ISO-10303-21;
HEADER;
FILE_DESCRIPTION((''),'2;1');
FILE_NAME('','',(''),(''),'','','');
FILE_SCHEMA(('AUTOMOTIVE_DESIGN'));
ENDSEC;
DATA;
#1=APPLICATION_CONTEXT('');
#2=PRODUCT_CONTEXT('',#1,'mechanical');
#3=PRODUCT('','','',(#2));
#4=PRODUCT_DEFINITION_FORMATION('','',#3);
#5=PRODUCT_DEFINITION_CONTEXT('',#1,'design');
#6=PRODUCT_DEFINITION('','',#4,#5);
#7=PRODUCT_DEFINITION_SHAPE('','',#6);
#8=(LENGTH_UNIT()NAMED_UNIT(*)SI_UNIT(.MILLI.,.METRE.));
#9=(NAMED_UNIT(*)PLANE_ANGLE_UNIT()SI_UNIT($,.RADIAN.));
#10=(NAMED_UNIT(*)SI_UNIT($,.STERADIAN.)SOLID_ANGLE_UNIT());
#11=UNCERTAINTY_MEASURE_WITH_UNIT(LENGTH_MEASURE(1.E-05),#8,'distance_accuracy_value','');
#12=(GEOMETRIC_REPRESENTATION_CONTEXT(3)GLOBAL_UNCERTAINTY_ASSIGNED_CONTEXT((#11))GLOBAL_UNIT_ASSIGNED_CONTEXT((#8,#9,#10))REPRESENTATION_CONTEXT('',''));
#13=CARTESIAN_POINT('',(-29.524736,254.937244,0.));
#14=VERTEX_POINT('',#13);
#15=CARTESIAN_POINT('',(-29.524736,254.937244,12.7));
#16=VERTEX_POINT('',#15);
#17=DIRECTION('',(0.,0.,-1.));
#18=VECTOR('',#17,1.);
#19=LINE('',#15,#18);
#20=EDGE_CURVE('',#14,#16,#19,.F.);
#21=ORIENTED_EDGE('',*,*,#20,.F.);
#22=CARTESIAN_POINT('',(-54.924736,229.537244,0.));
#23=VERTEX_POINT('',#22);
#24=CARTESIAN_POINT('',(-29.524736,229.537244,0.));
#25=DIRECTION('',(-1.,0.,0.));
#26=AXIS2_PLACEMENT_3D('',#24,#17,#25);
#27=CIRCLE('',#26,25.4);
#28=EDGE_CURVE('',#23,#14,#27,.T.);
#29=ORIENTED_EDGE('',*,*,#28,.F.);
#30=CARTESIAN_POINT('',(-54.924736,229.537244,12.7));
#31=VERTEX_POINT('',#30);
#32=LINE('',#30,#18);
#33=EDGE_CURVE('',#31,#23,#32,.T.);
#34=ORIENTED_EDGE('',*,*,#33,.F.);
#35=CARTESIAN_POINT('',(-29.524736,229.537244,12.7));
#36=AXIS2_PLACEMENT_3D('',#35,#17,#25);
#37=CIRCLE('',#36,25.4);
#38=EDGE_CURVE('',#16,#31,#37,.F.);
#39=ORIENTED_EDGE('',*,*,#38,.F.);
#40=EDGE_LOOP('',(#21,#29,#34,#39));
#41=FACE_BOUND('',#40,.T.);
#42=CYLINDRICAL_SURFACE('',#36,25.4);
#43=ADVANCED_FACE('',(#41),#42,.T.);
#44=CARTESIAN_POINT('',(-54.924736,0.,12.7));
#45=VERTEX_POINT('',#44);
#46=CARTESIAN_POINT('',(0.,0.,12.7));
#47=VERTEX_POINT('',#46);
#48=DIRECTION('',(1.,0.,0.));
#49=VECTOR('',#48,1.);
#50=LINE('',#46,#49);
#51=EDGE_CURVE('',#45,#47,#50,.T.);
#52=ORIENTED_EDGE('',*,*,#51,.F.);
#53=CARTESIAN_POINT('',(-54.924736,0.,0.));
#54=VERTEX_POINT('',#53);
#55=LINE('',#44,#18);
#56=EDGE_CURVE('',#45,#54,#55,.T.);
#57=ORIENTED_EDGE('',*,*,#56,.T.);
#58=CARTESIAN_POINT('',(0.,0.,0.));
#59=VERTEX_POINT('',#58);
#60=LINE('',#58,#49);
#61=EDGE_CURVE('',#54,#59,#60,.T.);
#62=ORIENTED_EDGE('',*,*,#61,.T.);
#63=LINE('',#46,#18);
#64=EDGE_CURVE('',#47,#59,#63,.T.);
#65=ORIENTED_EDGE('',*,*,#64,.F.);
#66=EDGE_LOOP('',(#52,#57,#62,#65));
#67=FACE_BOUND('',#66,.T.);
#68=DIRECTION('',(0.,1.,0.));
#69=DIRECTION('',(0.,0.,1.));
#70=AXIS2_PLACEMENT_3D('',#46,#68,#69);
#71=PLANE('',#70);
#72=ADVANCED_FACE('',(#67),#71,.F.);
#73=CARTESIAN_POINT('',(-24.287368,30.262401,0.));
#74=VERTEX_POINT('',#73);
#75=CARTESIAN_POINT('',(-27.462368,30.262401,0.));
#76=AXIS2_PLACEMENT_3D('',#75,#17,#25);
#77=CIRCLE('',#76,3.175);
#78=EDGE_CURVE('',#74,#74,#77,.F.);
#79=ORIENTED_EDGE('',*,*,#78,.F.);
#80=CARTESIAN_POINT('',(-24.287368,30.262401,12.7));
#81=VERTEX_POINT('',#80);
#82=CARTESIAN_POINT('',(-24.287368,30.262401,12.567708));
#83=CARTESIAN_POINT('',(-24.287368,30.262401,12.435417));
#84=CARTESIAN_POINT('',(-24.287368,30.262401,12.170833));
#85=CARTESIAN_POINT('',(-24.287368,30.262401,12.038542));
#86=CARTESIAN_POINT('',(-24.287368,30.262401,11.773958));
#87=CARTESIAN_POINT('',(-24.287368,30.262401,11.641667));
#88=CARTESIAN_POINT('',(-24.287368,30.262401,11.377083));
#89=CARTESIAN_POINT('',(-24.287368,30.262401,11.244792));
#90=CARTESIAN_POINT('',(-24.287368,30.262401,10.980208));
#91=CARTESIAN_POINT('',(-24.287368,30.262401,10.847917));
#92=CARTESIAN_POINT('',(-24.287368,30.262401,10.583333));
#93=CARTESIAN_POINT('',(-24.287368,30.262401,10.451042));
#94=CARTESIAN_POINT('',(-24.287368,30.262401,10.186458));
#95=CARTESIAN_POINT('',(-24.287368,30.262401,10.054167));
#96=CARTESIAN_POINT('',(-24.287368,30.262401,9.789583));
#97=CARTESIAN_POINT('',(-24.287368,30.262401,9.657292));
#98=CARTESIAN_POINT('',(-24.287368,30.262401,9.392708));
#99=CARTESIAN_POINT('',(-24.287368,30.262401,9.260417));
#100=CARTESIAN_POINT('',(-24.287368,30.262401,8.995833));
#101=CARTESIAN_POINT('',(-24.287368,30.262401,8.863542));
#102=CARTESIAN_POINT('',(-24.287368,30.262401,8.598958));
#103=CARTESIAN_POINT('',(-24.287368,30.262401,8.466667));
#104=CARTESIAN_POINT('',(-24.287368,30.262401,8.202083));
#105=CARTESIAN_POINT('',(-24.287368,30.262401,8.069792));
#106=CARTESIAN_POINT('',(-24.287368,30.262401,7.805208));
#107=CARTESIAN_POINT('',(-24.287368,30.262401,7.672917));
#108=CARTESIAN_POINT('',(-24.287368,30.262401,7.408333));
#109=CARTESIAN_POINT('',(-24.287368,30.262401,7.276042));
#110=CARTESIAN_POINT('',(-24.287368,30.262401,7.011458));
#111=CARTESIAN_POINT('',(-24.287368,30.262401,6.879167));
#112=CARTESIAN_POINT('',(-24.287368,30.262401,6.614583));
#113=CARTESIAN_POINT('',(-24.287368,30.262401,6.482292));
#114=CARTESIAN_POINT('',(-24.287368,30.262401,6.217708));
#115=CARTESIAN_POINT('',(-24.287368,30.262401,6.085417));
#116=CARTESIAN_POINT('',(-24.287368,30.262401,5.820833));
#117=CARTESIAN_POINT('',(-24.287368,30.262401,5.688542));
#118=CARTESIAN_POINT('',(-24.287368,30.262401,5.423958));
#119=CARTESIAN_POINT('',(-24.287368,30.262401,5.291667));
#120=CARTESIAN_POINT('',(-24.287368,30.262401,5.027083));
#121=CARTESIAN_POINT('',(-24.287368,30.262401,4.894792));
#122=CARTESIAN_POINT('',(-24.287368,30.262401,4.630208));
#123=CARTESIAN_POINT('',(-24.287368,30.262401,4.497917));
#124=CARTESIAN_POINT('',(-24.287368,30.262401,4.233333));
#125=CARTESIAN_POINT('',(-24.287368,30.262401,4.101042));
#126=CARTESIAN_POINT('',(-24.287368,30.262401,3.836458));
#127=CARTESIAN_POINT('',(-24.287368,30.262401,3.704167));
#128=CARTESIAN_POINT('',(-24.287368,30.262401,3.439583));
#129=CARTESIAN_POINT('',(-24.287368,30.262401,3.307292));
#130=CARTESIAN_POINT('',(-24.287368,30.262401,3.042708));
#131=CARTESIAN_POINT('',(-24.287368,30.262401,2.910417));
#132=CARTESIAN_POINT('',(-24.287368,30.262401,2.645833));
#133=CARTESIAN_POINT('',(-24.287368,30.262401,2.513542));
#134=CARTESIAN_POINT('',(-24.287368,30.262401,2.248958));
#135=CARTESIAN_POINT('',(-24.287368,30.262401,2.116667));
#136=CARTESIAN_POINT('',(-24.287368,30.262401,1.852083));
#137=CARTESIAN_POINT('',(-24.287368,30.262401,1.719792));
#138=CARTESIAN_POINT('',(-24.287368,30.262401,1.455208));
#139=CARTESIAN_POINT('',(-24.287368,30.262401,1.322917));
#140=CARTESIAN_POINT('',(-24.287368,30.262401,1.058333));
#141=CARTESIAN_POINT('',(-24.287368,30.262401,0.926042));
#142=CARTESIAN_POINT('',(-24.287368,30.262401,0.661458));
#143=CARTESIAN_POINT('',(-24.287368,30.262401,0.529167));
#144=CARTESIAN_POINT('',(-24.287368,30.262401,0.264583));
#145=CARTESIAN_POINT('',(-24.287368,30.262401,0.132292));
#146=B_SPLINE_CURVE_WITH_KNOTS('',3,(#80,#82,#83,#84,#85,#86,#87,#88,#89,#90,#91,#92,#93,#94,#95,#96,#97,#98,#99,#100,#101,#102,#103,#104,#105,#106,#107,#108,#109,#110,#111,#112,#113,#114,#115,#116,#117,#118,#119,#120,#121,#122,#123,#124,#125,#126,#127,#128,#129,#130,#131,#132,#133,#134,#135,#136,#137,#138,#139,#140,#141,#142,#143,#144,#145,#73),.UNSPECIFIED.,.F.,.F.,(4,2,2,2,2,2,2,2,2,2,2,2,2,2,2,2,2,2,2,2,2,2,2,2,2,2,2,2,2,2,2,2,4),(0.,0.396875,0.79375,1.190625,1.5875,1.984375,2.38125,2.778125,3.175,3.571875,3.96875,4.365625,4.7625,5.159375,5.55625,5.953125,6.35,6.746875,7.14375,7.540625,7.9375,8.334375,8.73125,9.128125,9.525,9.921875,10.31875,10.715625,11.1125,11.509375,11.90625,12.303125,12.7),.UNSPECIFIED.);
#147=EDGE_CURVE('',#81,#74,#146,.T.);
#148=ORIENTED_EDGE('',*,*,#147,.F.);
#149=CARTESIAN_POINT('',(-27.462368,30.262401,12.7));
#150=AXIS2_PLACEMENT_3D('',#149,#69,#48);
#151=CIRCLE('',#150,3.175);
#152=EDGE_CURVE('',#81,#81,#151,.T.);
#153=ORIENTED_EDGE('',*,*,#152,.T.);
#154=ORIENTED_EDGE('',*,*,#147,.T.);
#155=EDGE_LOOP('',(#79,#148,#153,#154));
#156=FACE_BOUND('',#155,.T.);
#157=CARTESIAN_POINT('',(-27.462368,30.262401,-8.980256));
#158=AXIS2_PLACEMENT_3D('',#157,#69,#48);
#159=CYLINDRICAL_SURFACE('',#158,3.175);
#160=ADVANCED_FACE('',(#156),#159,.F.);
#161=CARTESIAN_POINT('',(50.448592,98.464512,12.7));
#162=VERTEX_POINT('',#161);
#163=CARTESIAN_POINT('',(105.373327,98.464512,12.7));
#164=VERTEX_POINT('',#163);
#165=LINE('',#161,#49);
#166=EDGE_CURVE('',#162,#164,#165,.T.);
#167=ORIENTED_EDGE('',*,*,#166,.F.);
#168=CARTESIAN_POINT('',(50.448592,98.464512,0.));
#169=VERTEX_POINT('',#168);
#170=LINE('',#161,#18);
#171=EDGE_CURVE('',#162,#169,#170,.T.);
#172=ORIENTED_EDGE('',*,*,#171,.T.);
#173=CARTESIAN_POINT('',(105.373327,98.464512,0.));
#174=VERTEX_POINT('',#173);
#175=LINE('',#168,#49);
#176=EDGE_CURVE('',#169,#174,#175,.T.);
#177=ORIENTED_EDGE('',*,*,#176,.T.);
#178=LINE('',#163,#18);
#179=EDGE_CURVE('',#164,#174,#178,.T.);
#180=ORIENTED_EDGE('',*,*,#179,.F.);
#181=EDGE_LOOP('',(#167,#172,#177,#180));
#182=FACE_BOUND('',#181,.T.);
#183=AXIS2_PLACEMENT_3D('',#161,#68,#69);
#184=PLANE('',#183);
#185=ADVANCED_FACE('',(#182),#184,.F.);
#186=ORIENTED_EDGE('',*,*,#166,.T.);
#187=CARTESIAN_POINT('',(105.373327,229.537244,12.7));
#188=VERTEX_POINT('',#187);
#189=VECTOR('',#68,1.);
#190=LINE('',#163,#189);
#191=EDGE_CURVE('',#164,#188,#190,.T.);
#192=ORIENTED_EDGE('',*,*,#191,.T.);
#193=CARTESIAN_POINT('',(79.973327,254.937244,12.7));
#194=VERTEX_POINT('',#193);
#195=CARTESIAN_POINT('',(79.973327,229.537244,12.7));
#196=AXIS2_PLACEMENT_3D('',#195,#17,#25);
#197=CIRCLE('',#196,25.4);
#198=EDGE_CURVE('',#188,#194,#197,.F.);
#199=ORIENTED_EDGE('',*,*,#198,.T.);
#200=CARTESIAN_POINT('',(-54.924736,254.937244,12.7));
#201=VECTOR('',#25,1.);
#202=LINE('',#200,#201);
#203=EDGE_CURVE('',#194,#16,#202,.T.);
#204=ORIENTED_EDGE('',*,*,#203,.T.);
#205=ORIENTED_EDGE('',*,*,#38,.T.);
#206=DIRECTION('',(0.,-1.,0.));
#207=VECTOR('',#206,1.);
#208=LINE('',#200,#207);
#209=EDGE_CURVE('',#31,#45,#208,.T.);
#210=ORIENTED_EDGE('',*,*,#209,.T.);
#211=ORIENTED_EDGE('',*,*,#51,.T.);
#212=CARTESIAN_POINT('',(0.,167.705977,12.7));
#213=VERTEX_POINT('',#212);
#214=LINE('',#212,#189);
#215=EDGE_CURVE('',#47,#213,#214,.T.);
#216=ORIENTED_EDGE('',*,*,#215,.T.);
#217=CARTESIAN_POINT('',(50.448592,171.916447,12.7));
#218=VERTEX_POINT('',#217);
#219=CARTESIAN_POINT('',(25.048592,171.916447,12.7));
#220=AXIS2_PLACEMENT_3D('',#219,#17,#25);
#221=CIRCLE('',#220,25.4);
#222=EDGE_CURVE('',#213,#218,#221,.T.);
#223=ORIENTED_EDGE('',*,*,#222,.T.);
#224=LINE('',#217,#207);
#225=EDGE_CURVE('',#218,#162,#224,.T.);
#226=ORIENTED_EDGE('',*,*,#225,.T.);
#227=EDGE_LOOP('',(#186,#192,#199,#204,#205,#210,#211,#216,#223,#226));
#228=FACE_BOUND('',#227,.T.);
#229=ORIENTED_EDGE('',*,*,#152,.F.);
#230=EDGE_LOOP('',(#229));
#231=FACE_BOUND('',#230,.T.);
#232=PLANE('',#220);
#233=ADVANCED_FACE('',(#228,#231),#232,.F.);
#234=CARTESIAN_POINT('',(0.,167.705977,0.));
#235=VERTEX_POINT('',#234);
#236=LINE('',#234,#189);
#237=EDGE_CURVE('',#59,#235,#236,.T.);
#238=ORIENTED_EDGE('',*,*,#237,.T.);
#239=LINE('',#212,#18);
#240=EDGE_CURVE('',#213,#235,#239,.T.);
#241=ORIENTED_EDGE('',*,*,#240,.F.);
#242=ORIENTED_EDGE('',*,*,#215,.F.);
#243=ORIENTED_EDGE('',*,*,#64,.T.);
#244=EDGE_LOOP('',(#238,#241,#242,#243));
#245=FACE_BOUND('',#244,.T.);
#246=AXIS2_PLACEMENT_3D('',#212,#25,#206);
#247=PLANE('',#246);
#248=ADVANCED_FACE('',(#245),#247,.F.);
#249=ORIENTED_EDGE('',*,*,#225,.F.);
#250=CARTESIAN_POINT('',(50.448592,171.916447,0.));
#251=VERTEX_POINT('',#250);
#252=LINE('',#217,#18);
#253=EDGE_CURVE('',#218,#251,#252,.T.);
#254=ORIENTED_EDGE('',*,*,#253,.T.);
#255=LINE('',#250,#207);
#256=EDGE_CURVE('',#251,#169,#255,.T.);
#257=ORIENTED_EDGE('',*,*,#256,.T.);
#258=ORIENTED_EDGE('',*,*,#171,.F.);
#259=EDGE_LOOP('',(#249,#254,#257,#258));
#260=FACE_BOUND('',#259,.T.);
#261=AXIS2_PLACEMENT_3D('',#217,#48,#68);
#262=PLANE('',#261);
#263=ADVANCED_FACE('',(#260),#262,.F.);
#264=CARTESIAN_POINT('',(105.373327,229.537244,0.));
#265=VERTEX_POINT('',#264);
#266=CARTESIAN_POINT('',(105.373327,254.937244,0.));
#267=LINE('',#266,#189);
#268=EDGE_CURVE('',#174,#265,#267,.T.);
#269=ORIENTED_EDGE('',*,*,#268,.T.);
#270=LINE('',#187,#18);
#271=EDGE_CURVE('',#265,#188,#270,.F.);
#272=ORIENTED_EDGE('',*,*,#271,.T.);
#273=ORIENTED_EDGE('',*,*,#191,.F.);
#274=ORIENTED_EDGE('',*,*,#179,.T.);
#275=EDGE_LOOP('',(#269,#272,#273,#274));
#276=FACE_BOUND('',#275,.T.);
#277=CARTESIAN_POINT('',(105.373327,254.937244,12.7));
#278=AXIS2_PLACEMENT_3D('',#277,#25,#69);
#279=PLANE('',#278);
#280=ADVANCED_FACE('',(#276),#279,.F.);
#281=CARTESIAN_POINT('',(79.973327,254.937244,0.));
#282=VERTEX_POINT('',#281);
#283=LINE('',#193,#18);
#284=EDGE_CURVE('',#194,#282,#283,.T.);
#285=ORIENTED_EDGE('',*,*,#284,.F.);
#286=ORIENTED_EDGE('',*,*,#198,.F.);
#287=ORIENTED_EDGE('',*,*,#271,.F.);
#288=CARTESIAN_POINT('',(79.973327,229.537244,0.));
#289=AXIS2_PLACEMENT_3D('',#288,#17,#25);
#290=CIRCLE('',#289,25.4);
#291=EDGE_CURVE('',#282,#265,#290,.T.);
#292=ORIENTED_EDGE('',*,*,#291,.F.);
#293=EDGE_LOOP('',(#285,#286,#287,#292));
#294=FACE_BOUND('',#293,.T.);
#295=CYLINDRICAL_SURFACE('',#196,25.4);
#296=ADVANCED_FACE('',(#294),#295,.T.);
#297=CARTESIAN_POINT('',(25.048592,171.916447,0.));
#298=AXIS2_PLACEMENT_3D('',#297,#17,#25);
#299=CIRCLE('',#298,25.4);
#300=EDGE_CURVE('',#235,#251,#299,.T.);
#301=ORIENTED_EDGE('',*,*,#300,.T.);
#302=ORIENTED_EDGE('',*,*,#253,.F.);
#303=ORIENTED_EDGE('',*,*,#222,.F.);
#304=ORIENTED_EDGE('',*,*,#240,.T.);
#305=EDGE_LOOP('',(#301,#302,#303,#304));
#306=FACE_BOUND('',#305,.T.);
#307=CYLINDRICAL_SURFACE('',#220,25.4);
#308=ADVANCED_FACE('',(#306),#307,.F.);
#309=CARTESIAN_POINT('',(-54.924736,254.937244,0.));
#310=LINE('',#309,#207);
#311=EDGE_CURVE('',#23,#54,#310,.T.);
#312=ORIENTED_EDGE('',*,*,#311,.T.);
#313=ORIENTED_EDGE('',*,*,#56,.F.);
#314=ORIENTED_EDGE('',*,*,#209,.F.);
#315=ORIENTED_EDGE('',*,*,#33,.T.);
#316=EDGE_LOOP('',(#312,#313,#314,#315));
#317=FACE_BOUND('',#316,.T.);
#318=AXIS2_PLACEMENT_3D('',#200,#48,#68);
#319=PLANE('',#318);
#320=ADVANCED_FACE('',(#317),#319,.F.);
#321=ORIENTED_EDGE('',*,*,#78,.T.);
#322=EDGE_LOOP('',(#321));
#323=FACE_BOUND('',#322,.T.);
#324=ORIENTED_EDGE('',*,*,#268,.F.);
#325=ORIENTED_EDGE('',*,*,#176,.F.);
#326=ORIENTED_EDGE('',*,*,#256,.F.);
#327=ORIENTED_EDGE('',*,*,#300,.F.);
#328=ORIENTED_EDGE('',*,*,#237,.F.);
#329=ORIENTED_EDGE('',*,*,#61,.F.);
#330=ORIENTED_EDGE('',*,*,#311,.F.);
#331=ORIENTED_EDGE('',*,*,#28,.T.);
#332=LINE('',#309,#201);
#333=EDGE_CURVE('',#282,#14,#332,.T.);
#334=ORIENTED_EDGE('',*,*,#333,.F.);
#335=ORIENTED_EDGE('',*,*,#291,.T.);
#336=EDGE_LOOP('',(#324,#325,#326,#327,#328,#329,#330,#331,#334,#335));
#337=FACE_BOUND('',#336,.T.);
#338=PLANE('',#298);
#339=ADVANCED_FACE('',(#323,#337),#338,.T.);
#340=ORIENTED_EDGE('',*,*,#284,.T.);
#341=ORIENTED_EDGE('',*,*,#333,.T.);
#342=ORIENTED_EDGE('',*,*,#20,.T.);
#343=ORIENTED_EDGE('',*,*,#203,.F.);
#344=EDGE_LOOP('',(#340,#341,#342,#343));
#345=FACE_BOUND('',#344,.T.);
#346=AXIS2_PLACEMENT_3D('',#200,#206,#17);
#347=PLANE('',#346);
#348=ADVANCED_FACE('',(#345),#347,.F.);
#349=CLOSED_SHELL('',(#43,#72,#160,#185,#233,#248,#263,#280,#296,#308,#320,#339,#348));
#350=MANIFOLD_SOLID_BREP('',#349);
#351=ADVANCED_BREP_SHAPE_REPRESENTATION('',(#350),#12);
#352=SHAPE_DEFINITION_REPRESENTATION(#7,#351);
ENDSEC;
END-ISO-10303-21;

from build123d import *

# Parameters (mm, degrees)
BOSS_EXTRUDE2_DEPTH = 12.7
FILLET1_R           = 25.4
FILLET2_R           = 25.4
SKETCH3_R           = 3.175
CUT_EXTRUDE3_DEPTH  = 12.7


with BuildPart() as part:
    # Sketch1 → Boss-Extrude2 (new body)
    with BuildSketch(Plane.XY):
        with BuildLine():
            Line((0, 167.705976621), (0, 0))
            Line((0, 0), (-54.924735551, 0))
            Line((-54.924735551, 0), (-54.924735551, 254.93724428))
            Line((-54.924735551, 254.93724428), (105.37332707, 254.93724428))
            Line((105.37332707, 254.93724428), (105.37332707, 173.075661403))
            Line((105.37332707, 173.075661403), (105.37332707, 98.46451231))
            Line((105.37332707, 98.46451231), (50.448591519, 98.46451231))
            Line((50.448591519, 98.46451231), (50.448591519, 171.91644725))
            ThreePointArc((50.448591519, 171.91644725), (22.936036736, 197.228442673), (0, 167.705976621))
        make_face()
    extrude(amount=BOSS_EXTRUDE2_DEPTH)

    # Fillet1
    fillet1_edges = [part.edges().sort_by_distance(p)[0] for p in [
        (-54.924735551, 254.93724428, 6.35),
    ]]
    fillet(fillet1_edges, radius=FILLET1_R)

    # Fillet2
    fillet2_edges = [part.edges().sort_by_distance(p)[0] for p in [
        (105.37332707, 254.93724428, 6.35),
    ]]
    fillet(fillet2_edges, radius=FILLET2_R)

    # Sketch3 → Cut-Extrude3 (cut)
    with BuildSketch(Plane.XY.offset(12.7)):
        with Locations((-27.462367775, 30.26240116)):
            Circle(SKETCH3_R)
    extrude(amount=-CUT_EXTRUDE3_DEPTH, mode=Mode.SUBTRACT)


solid = part.part
